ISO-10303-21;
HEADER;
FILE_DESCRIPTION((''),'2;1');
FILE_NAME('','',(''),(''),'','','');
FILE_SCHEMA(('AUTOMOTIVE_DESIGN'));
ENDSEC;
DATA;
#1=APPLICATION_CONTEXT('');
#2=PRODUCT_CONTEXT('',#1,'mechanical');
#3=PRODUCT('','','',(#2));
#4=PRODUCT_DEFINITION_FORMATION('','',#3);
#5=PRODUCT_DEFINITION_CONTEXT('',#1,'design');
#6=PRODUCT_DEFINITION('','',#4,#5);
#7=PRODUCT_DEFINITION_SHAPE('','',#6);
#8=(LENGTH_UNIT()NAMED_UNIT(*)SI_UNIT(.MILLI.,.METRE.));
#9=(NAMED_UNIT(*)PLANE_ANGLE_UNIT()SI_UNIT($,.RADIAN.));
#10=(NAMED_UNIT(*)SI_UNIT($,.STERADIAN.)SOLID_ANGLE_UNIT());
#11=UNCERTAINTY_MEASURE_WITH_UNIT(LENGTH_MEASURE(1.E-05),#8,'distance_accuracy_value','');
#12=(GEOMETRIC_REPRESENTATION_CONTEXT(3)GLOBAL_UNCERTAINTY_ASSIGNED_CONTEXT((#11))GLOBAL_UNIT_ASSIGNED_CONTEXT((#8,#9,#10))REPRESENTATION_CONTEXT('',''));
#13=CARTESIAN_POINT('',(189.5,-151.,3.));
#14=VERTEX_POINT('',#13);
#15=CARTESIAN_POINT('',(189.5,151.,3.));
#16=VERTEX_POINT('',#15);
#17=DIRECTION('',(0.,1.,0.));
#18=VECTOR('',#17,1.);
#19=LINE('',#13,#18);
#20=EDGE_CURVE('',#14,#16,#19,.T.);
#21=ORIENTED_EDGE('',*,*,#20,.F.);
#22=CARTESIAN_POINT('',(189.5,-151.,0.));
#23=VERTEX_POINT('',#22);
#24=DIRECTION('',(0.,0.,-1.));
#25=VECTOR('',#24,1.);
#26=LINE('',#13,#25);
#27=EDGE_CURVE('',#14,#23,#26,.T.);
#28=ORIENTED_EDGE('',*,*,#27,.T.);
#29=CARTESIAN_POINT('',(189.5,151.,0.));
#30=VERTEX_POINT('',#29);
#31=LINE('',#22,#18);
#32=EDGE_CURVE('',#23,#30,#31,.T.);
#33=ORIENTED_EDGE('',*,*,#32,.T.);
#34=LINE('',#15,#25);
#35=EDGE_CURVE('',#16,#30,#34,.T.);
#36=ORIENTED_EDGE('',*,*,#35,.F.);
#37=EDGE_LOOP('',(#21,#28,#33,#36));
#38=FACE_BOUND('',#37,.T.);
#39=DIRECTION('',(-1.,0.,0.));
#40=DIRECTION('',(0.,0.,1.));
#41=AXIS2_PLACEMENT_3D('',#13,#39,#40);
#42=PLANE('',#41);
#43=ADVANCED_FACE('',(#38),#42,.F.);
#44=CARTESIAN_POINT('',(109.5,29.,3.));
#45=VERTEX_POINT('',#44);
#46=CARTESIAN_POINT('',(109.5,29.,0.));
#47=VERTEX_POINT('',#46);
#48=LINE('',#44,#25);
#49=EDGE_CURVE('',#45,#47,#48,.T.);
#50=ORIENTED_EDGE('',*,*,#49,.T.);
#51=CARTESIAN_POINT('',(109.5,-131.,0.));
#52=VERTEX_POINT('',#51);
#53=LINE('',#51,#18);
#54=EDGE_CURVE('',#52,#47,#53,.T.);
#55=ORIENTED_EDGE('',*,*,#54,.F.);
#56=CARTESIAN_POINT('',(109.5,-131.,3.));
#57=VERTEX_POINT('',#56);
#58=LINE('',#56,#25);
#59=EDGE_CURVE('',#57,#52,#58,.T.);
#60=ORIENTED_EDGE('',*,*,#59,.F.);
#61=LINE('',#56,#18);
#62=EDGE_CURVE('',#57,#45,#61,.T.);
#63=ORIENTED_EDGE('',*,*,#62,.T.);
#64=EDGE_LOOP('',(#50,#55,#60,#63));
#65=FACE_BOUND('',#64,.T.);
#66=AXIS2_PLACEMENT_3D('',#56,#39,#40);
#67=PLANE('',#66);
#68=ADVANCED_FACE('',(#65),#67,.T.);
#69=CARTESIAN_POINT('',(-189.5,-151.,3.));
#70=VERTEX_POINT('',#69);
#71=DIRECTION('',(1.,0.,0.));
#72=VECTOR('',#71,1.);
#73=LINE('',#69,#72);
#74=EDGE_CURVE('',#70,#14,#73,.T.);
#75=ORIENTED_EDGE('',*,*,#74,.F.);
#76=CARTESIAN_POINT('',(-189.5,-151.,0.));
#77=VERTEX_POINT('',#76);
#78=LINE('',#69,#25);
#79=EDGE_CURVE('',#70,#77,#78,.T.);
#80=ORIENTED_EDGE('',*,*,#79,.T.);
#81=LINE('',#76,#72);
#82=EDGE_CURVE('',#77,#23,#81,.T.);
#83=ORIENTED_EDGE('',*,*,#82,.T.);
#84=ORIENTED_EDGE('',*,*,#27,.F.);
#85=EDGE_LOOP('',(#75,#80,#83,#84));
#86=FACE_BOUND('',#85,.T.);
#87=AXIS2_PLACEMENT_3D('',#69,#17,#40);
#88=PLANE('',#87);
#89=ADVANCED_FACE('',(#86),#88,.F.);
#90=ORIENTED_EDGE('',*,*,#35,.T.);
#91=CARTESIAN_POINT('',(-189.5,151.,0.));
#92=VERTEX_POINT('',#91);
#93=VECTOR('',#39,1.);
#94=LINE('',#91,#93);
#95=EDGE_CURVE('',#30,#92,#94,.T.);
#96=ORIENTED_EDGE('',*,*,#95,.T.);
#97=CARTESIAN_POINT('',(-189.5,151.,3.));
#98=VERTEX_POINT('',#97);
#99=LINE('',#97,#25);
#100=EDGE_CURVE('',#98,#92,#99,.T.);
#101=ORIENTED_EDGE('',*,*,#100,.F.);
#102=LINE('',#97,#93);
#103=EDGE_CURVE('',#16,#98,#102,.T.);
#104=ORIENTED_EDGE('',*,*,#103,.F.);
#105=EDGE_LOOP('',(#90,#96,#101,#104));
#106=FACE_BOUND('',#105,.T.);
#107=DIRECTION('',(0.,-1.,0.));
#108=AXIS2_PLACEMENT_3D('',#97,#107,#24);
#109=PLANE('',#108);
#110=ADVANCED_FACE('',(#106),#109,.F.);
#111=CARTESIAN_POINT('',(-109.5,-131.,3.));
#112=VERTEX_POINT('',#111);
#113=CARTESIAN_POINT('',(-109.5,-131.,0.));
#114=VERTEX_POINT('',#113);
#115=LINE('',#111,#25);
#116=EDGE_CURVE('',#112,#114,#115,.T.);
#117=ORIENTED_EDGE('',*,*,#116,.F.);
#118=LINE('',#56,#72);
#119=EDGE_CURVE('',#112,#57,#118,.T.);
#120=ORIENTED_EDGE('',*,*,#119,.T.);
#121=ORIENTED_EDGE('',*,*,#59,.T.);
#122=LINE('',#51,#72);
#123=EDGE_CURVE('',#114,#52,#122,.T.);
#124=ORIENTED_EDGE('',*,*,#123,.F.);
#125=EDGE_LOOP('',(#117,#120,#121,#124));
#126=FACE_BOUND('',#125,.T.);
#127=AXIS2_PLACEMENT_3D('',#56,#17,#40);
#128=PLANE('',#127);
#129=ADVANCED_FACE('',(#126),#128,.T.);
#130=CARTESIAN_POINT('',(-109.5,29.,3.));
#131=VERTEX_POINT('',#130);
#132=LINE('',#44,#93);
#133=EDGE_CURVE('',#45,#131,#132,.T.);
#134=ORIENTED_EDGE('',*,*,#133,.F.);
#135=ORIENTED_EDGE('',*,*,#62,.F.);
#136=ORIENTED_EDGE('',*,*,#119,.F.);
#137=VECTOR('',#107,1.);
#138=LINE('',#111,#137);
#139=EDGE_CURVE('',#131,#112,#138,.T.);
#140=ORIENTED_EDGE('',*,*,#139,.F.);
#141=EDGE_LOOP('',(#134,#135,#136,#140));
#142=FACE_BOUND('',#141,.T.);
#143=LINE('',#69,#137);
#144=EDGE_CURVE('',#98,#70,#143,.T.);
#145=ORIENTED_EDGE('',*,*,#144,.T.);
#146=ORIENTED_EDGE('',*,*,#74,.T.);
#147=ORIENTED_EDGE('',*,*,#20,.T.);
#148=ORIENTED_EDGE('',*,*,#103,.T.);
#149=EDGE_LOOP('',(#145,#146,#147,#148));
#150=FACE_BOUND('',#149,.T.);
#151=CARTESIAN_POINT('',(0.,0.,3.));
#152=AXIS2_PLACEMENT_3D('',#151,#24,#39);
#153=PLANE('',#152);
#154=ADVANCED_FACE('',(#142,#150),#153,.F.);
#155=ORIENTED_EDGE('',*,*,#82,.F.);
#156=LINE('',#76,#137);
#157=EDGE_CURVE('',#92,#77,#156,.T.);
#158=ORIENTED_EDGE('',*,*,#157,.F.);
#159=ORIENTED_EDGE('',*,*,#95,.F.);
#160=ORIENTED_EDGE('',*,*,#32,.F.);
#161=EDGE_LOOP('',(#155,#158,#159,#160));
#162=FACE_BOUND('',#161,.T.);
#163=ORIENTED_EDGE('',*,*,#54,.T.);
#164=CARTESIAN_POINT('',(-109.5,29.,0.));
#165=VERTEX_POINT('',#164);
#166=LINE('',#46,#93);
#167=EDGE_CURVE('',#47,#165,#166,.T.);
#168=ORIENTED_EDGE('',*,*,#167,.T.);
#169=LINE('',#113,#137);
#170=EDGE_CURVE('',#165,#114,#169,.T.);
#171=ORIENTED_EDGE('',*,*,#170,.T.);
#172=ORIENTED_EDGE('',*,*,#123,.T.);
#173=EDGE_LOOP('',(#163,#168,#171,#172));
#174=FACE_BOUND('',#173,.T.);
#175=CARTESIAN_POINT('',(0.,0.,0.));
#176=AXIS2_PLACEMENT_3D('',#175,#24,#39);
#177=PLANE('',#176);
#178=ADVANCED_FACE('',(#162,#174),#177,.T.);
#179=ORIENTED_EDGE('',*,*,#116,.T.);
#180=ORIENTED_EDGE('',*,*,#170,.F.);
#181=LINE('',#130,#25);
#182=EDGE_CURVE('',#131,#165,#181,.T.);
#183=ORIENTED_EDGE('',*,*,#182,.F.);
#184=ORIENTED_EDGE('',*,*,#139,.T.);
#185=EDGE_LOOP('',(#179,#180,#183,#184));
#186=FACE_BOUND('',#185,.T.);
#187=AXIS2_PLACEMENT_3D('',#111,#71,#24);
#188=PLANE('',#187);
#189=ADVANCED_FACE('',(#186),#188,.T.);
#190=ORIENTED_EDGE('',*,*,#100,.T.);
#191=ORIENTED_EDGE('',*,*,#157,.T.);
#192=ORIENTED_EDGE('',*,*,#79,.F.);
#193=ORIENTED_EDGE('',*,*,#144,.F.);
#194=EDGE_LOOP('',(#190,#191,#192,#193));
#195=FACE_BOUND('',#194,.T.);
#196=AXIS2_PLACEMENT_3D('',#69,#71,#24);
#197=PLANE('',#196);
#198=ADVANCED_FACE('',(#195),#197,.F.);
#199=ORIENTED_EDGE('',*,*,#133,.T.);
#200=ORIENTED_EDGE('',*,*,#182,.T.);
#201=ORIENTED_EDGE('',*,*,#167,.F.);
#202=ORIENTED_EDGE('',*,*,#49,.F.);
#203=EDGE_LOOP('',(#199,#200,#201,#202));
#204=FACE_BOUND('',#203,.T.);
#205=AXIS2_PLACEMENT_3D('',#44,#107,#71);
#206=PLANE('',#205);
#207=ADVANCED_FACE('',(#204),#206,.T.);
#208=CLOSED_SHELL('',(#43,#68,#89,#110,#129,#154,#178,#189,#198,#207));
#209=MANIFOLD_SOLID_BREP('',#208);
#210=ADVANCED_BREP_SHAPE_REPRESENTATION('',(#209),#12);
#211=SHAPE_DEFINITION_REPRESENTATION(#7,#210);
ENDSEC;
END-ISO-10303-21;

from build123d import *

# Parameters (mm, degrees)
SKETCH1_W           = 379
SKETCH1_H           = 302
SKETCH1_W_2         = 219
SKETCH1_H_2         = 160
BOSS_EXTRUDE1_DEPTH = 3


with BuildPart() as part:
    # Sketch1 → Boss-Extrude1 (new body)
    with BuildSketch(Plane.XY):
        Rectangle(SKETCH1_W, SKETCH1_H)
        with Locations((0, -51)):
            Rectangle(SKETCH1_W_2, SKETCH1_H_2, mode=Mode.SUBTRACT)
    extrude(amount=BOSS_EXTRUDE1_DEPTH)


solid = part.part
